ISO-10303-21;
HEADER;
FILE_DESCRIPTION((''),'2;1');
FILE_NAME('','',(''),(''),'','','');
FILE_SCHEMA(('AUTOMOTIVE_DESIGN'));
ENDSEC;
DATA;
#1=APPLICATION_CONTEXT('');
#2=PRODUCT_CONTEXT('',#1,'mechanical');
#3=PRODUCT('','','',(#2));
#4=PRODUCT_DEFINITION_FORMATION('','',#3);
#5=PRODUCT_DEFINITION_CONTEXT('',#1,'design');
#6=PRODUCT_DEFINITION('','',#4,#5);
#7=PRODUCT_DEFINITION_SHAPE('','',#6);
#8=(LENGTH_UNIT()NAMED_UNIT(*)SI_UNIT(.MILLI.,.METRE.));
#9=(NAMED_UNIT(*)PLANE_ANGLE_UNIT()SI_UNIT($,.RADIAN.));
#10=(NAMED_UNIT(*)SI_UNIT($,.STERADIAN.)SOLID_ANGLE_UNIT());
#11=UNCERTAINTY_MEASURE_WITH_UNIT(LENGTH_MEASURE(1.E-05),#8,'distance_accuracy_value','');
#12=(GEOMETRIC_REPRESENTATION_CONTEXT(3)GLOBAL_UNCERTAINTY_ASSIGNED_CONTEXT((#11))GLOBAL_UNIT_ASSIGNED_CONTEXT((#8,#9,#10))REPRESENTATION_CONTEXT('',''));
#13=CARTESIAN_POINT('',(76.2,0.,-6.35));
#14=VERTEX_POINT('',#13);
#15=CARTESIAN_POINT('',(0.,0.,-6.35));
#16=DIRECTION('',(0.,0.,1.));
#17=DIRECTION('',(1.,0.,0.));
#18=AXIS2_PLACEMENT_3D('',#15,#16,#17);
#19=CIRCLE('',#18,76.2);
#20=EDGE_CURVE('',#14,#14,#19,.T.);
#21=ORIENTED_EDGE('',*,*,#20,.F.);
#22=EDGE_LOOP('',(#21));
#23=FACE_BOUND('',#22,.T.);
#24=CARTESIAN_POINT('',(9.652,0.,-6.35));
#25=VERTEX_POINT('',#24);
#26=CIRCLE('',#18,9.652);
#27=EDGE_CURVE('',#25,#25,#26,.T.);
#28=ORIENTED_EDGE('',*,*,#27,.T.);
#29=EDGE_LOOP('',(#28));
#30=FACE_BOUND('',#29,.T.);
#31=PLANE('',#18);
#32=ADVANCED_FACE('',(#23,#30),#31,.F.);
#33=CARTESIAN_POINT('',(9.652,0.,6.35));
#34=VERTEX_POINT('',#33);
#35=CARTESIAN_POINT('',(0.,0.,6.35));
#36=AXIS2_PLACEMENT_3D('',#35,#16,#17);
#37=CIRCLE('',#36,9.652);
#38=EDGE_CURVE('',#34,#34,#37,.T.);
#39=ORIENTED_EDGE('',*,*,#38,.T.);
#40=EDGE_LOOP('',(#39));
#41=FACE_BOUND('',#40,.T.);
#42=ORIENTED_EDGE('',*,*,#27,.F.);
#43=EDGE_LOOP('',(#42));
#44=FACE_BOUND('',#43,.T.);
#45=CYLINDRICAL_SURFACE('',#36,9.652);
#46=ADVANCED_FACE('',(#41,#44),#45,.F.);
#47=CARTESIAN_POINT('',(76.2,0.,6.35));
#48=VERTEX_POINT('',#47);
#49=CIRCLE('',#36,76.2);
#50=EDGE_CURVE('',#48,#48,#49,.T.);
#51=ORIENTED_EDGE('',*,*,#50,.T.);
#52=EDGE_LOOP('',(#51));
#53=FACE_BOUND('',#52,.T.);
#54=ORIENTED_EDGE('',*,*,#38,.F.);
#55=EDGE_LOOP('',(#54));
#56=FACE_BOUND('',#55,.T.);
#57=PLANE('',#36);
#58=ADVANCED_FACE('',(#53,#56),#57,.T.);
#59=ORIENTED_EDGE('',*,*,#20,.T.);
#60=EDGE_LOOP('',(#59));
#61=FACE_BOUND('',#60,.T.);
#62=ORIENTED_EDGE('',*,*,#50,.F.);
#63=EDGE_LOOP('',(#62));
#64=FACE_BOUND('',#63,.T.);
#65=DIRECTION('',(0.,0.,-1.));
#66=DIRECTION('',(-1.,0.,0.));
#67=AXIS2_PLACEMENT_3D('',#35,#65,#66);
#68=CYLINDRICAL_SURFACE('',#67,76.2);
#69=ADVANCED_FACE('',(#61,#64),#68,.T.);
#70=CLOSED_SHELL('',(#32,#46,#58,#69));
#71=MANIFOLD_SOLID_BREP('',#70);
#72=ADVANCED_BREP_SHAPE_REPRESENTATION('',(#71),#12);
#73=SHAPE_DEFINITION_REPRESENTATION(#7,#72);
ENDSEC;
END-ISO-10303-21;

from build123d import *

# Parameters (mm, degrees)
SKETCH1_R             = 76.2
BOSS_EXTRUDE1_DEPTH   = 6.35
F_5_0MM_DOWEL_HOLE1_D = 19.304


with BuildPart() as part:
    # Sketch1 → Boss-Extrude1 (new, symmetric)
    with BuildSketch(Plane.XY):
        Circle(SKETCH1_R)
    extrude(amount=BOSS_EXTRUDE1_DEPTH, both=True)

    # Ø5.0mm Dowel Hole1 (through all)
    with Locations(Plane.XY.offset(6.35)):
        with Locations((0, 0)):
            Hole(F_5_0MM_DOWEL_HOLE1_D / 2)


solid = part.part
